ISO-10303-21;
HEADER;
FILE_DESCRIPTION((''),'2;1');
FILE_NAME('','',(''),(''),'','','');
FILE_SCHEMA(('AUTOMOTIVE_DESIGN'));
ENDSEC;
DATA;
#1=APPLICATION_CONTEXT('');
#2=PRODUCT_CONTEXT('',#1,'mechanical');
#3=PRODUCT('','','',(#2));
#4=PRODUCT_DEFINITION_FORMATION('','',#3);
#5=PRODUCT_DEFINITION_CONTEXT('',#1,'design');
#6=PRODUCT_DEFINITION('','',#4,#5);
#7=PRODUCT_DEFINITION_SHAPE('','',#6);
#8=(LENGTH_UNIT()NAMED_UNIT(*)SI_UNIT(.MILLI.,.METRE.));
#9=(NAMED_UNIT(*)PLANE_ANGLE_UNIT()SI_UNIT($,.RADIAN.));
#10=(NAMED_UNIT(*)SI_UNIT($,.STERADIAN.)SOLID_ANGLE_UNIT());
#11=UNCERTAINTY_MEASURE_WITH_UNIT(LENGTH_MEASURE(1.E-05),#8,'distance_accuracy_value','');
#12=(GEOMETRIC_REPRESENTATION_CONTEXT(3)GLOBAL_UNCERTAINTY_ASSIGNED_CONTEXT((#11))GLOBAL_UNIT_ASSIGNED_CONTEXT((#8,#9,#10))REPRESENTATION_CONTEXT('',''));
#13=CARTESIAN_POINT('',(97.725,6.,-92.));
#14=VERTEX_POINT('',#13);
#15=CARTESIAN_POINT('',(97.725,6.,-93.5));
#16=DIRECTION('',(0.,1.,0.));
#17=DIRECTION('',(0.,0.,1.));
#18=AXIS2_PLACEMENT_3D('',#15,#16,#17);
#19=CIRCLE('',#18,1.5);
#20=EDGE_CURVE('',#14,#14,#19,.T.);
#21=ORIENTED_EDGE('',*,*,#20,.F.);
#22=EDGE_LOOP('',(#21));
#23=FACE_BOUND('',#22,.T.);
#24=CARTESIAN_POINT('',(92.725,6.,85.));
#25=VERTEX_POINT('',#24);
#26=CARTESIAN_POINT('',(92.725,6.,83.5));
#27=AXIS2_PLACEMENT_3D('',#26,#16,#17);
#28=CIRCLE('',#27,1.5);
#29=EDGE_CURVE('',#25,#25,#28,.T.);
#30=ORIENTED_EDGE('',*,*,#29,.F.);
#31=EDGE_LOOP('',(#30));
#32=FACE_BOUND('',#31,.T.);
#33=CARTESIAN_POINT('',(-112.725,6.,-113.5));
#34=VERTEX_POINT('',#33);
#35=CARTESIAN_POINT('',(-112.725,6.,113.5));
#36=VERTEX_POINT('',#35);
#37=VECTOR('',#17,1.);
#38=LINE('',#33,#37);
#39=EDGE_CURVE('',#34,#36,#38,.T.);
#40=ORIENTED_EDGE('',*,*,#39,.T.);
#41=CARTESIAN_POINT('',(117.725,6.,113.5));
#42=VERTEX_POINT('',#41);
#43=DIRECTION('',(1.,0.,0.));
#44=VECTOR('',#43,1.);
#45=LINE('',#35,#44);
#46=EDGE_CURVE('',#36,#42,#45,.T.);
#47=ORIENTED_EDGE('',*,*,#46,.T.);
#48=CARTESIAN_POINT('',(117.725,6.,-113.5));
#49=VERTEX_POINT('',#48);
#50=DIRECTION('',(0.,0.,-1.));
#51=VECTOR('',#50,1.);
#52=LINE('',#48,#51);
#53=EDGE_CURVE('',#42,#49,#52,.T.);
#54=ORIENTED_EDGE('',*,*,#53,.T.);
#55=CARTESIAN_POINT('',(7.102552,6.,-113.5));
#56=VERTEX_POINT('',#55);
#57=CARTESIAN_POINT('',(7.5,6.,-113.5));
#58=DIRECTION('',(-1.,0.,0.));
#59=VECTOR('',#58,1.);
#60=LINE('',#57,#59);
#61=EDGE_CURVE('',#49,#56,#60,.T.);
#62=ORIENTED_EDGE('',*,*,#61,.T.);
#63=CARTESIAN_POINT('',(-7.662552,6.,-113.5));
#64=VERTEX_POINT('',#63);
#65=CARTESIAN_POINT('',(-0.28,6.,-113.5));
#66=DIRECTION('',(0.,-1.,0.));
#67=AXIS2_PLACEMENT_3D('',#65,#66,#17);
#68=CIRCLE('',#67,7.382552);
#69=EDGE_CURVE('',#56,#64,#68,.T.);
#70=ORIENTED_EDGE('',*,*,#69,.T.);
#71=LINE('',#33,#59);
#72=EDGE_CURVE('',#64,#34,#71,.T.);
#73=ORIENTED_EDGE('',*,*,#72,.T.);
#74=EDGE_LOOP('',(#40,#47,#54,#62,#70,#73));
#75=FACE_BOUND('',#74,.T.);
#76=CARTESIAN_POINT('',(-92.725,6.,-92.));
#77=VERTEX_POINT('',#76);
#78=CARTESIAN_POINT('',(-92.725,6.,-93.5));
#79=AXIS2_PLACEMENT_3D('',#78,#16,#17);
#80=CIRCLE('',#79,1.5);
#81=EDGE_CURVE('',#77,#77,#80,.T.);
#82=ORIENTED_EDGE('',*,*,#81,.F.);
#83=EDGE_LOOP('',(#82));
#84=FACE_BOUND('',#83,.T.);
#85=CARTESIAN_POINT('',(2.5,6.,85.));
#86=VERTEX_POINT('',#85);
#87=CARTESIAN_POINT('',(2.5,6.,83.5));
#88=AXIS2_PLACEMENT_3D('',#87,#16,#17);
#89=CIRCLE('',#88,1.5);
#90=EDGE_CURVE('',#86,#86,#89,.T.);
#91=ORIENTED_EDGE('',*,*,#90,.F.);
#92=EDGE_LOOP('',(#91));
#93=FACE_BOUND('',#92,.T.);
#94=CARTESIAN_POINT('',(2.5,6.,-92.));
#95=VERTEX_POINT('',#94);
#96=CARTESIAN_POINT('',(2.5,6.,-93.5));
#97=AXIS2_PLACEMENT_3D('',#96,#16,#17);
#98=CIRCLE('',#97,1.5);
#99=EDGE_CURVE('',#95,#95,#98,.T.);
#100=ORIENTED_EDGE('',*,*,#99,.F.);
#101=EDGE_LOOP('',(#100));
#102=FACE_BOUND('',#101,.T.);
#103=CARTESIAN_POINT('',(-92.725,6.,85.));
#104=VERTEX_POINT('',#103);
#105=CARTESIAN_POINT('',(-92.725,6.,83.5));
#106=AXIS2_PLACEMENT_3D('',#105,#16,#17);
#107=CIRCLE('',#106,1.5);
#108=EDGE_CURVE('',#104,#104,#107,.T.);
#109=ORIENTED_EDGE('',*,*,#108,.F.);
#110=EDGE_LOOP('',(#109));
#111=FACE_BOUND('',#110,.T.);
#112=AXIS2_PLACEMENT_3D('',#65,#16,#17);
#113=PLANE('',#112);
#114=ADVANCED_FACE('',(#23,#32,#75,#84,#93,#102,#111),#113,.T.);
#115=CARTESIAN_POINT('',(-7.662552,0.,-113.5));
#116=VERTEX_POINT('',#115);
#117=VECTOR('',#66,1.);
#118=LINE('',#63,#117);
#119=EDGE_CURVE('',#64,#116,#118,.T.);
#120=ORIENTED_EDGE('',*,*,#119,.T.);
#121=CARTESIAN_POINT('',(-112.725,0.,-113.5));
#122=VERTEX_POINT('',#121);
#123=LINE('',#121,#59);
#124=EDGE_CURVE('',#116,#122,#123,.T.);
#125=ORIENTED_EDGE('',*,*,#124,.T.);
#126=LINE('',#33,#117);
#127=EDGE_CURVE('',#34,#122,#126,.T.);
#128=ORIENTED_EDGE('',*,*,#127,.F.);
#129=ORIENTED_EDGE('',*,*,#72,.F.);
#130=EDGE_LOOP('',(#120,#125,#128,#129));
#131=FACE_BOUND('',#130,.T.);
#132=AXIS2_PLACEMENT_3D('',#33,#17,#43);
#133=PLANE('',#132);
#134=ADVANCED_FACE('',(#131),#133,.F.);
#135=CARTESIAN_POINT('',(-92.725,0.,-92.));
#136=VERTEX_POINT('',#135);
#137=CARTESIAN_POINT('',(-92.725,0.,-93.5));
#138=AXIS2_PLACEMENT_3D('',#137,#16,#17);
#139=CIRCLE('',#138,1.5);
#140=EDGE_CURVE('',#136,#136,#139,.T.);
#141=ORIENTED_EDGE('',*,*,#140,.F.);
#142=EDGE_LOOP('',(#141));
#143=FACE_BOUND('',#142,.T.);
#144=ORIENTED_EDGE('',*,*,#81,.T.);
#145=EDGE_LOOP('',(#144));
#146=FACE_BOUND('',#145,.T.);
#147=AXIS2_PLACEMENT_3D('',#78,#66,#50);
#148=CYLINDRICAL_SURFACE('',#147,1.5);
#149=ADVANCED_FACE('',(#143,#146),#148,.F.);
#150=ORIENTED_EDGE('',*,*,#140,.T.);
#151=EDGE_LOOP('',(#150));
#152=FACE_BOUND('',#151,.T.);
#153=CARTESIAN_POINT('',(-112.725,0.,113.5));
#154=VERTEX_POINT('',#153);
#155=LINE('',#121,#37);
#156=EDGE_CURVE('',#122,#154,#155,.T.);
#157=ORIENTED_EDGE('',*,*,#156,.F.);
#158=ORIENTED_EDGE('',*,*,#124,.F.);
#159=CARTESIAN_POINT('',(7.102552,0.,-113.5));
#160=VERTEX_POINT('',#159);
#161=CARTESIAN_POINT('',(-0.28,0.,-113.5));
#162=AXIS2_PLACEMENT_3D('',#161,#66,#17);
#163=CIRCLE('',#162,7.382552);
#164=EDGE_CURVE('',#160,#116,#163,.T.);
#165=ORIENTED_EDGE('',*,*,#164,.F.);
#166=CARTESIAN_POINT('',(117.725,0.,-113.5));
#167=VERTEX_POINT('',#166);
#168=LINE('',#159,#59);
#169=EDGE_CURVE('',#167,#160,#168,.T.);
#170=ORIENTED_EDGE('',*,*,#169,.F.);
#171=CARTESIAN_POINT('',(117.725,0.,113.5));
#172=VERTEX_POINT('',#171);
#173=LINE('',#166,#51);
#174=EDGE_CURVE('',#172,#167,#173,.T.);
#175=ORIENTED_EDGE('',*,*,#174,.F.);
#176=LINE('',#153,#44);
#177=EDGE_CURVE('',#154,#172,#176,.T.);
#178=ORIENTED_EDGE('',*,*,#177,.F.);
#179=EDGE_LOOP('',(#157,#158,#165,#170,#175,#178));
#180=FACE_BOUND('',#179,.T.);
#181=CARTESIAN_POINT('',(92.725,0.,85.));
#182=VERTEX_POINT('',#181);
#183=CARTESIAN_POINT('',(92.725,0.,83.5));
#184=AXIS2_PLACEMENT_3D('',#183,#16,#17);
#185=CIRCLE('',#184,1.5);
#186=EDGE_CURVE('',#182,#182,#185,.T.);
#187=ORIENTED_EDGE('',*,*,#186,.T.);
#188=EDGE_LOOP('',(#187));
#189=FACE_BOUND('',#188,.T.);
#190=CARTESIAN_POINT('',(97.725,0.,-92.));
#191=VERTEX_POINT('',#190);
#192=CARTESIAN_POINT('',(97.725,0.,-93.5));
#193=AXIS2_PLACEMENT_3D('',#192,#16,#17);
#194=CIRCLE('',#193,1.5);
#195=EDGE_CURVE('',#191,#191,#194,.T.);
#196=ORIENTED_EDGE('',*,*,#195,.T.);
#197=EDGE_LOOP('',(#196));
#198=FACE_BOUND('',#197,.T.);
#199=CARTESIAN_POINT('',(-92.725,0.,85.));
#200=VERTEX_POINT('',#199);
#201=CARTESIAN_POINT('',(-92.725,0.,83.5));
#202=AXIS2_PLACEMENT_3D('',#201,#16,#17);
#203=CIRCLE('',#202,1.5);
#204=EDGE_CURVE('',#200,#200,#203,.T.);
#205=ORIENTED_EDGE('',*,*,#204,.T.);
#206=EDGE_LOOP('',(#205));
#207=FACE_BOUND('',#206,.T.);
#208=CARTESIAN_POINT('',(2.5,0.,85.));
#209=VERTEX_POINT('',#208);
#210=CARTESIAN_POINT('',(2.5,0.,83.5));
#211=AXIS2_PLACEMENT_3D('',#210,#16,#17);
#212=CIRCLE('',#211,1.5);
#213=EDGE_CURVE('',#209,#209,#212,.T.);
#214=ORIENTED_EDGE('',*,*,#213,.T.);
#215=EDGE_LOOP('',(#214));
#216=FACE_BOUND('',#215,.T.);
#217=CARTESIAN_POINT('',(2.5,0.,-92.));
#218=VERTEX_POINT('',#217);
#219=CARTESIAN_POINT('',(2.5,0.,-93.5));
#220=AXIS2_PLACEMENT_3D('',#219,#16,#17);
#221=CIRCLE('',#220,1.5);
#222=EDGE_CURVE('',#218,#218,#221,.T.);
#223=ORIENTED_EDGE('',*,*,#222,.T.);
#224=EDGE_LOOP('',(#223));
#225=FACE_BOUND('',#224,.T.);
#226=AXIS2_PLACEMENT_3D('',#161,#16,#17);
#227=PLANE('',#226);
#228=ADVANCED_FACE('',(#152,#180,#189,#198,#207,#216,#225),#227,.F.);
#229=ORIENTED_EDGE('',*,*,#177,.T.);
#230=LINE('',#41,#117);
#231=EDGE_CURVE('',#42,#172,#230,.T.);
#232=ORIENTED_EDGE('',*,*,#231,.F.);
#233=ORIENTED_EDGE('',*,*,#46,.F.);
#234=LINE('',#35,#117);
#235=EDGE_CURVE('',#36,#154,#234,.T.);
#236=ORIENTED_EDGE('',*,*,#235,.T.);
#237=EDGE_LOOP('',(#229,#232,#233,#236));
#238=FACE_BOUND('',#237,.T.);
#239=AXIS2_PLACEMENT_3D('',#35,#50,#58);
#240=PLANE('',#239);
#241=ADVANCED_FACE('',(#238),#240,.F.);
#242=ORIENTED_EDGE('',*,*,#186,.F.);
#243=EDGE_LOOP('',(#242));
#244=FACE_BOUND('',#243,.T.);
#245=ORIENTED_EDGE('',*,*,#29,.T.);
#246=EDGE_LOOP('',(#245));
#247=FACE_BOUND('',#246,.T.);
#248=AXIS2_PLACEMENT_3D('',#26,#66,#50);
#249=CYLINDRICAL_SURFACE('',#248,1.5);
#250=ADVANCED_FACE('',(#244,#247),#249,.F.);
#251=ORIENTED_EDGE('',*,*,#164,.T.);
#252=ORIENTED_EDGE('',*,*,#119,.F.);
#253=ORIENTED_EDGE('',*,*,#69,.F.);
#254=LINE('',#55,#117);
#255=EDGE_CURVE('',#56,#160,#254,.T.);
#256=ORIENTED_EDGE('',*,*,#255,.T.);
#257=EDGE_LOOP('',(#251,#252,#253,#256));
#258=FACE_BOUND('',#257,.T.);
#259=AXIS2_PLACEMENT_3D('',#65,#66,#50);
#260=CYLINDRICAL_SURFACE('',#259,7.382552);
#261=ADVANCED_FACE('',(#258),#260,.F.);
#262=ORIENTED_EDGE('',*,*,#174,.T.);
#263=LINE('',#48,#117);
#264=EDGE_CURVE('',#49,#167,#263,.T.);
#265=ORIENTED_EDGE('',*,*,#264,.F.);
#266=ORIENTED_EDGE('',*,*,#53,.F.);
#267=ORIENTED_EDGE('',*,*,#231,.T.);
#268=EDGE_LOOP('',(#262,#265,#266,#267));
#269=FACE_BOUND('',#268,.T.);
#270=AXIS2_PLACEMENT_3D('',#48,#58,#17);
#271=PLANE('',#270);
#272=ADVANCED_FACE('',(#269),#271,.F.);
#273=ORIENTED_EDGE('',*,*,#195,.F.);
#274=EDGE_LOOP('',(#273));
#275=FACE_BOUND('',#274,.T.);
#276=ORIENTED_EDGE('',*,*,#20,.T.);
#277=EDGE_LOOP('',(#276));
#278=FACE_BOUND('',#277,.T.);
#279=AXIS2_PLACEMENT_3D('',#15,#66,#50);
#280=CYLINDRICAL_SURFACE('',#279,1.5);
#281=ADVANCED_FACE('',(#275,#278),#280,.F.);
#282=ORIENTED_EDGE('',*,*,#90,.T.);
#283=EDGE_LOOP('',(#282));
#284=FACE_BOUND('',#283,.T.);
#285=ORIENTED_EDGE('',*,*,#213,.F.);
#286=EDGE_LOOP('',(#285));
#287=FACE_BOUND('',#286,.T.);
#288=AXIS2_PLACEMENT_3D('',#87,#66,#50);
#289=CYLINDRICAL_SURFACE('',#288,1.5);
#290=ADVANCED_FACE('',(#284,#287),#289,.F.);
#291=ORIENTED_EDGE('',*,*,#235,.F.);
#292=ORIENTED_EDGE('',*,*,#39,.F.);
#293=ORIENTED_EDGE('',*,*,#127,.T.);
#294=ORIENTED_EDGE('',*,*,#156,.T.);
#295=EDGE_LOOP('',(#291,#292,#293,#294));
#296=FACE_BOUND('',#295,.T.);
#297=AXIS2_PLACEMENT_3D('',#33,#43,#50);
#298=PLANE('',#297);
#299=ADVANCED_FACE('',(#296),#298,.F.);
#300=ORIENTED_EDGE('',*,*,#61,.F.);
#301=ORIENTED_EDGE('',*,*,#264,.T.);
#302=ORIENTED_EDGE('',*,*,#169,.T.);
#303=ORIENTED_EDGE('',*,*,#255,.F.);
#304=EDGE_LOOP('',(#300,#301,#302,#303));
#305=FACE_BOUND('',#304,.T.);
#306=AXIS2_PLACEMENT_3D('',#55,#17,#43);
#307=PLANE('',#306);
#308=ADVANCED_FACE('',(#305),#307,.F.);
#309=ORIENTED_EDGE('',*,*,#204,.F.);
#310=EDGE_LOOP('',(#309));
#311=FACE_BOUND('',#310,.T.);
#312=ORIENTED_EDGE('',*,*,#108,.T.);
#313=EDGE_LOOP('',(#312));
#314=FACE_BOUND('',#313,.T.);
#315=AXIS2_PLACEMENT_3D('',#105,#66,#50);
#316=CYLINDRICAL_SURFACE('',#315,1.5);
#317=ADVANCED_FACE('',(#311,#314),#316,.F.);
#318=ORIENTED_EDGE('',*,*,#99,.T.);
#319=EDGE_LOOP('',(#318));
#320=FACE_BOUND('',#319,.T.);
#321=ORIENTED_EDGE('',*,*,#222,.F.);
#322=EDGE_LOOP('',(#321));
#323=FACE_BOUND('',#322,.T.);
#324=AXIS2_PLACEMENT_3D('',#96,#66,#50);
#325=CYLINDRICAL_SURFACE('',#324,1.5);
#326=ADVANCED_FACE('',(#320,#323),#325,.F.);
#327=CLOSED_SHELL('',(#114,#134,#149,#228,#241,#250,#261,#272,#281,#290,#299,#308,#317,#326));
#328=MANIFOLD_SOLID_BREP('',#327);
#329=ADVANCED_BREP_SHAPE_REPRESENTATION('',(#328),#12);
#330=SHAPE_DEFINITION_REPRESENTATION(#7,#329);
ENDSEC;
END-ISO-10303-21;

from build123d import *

# Parameters (mm, degrees)
SKETCH_1_R      = 1.5
EXTRUDE_1_DEPTH = 6


with BuildPart() as part:
    # 草图1 → 凸台-拉伸1 (new body)
    with BuildSketch(Plane(origin=(0, 0, 0), x_dir=(1, 0, 0), z_dir=(0, 1, 0))):
        with BuildLine():
            Line((-112.725, 113.5), (-7.662552173, 113.5))
            ThreePointArc((-7.662552173, 113.5), (-0.28, 106.117447827), (7.102552173, 113.5))
            Line((7.102552173, 113.5), (7.5, 113.5))
            Line((7.5, 113.5), (117.725, 113.5))
            Line((117.725, 113.5), (117.725, -113.5))
            Line((117.725, -113.5), (-112.725, -113.5))
            Line((-112.725, -113.5), (-112.725, 113.5))
        make_face()
        with Locations(Location((-92.725, 93.5, 0), (0, 0, 270))):
            Circle(SKETCH_1_R, mode=Mode.SUBTRACT)
        with Locations(Location((97.725, 93.5, 0), (0, 0, 270))):
            Circle(SKETCH_1_R, mode=Mode.SUBTRACT)
        with Locations(Location((2.5, 93.5, 0), (0, 0, 270))):
            Circle(SKETCH_1_R, mode=Mode.SUBTRACT)
        with Locations(Location((-92.725, -83.5, 0), (0, 0, 270))):
            Circle(SKETCH_1_R, mode=Mode.SUBTRACT)
        with Locations(Location((2.5, -83.5, 0), (0, 0, 270))):
            Circle(SKETCH_1_R, mode=Mode.SUBTRACT)
        with Locations(Location((92.725, -83.5, 0), (0, 0, 270))):
            Circle(SKETCH_1_R, mode=Mode.SUBTRACT)
    extrude(amount=EXTRUDE_1_DEPTH)


solid = part.part
